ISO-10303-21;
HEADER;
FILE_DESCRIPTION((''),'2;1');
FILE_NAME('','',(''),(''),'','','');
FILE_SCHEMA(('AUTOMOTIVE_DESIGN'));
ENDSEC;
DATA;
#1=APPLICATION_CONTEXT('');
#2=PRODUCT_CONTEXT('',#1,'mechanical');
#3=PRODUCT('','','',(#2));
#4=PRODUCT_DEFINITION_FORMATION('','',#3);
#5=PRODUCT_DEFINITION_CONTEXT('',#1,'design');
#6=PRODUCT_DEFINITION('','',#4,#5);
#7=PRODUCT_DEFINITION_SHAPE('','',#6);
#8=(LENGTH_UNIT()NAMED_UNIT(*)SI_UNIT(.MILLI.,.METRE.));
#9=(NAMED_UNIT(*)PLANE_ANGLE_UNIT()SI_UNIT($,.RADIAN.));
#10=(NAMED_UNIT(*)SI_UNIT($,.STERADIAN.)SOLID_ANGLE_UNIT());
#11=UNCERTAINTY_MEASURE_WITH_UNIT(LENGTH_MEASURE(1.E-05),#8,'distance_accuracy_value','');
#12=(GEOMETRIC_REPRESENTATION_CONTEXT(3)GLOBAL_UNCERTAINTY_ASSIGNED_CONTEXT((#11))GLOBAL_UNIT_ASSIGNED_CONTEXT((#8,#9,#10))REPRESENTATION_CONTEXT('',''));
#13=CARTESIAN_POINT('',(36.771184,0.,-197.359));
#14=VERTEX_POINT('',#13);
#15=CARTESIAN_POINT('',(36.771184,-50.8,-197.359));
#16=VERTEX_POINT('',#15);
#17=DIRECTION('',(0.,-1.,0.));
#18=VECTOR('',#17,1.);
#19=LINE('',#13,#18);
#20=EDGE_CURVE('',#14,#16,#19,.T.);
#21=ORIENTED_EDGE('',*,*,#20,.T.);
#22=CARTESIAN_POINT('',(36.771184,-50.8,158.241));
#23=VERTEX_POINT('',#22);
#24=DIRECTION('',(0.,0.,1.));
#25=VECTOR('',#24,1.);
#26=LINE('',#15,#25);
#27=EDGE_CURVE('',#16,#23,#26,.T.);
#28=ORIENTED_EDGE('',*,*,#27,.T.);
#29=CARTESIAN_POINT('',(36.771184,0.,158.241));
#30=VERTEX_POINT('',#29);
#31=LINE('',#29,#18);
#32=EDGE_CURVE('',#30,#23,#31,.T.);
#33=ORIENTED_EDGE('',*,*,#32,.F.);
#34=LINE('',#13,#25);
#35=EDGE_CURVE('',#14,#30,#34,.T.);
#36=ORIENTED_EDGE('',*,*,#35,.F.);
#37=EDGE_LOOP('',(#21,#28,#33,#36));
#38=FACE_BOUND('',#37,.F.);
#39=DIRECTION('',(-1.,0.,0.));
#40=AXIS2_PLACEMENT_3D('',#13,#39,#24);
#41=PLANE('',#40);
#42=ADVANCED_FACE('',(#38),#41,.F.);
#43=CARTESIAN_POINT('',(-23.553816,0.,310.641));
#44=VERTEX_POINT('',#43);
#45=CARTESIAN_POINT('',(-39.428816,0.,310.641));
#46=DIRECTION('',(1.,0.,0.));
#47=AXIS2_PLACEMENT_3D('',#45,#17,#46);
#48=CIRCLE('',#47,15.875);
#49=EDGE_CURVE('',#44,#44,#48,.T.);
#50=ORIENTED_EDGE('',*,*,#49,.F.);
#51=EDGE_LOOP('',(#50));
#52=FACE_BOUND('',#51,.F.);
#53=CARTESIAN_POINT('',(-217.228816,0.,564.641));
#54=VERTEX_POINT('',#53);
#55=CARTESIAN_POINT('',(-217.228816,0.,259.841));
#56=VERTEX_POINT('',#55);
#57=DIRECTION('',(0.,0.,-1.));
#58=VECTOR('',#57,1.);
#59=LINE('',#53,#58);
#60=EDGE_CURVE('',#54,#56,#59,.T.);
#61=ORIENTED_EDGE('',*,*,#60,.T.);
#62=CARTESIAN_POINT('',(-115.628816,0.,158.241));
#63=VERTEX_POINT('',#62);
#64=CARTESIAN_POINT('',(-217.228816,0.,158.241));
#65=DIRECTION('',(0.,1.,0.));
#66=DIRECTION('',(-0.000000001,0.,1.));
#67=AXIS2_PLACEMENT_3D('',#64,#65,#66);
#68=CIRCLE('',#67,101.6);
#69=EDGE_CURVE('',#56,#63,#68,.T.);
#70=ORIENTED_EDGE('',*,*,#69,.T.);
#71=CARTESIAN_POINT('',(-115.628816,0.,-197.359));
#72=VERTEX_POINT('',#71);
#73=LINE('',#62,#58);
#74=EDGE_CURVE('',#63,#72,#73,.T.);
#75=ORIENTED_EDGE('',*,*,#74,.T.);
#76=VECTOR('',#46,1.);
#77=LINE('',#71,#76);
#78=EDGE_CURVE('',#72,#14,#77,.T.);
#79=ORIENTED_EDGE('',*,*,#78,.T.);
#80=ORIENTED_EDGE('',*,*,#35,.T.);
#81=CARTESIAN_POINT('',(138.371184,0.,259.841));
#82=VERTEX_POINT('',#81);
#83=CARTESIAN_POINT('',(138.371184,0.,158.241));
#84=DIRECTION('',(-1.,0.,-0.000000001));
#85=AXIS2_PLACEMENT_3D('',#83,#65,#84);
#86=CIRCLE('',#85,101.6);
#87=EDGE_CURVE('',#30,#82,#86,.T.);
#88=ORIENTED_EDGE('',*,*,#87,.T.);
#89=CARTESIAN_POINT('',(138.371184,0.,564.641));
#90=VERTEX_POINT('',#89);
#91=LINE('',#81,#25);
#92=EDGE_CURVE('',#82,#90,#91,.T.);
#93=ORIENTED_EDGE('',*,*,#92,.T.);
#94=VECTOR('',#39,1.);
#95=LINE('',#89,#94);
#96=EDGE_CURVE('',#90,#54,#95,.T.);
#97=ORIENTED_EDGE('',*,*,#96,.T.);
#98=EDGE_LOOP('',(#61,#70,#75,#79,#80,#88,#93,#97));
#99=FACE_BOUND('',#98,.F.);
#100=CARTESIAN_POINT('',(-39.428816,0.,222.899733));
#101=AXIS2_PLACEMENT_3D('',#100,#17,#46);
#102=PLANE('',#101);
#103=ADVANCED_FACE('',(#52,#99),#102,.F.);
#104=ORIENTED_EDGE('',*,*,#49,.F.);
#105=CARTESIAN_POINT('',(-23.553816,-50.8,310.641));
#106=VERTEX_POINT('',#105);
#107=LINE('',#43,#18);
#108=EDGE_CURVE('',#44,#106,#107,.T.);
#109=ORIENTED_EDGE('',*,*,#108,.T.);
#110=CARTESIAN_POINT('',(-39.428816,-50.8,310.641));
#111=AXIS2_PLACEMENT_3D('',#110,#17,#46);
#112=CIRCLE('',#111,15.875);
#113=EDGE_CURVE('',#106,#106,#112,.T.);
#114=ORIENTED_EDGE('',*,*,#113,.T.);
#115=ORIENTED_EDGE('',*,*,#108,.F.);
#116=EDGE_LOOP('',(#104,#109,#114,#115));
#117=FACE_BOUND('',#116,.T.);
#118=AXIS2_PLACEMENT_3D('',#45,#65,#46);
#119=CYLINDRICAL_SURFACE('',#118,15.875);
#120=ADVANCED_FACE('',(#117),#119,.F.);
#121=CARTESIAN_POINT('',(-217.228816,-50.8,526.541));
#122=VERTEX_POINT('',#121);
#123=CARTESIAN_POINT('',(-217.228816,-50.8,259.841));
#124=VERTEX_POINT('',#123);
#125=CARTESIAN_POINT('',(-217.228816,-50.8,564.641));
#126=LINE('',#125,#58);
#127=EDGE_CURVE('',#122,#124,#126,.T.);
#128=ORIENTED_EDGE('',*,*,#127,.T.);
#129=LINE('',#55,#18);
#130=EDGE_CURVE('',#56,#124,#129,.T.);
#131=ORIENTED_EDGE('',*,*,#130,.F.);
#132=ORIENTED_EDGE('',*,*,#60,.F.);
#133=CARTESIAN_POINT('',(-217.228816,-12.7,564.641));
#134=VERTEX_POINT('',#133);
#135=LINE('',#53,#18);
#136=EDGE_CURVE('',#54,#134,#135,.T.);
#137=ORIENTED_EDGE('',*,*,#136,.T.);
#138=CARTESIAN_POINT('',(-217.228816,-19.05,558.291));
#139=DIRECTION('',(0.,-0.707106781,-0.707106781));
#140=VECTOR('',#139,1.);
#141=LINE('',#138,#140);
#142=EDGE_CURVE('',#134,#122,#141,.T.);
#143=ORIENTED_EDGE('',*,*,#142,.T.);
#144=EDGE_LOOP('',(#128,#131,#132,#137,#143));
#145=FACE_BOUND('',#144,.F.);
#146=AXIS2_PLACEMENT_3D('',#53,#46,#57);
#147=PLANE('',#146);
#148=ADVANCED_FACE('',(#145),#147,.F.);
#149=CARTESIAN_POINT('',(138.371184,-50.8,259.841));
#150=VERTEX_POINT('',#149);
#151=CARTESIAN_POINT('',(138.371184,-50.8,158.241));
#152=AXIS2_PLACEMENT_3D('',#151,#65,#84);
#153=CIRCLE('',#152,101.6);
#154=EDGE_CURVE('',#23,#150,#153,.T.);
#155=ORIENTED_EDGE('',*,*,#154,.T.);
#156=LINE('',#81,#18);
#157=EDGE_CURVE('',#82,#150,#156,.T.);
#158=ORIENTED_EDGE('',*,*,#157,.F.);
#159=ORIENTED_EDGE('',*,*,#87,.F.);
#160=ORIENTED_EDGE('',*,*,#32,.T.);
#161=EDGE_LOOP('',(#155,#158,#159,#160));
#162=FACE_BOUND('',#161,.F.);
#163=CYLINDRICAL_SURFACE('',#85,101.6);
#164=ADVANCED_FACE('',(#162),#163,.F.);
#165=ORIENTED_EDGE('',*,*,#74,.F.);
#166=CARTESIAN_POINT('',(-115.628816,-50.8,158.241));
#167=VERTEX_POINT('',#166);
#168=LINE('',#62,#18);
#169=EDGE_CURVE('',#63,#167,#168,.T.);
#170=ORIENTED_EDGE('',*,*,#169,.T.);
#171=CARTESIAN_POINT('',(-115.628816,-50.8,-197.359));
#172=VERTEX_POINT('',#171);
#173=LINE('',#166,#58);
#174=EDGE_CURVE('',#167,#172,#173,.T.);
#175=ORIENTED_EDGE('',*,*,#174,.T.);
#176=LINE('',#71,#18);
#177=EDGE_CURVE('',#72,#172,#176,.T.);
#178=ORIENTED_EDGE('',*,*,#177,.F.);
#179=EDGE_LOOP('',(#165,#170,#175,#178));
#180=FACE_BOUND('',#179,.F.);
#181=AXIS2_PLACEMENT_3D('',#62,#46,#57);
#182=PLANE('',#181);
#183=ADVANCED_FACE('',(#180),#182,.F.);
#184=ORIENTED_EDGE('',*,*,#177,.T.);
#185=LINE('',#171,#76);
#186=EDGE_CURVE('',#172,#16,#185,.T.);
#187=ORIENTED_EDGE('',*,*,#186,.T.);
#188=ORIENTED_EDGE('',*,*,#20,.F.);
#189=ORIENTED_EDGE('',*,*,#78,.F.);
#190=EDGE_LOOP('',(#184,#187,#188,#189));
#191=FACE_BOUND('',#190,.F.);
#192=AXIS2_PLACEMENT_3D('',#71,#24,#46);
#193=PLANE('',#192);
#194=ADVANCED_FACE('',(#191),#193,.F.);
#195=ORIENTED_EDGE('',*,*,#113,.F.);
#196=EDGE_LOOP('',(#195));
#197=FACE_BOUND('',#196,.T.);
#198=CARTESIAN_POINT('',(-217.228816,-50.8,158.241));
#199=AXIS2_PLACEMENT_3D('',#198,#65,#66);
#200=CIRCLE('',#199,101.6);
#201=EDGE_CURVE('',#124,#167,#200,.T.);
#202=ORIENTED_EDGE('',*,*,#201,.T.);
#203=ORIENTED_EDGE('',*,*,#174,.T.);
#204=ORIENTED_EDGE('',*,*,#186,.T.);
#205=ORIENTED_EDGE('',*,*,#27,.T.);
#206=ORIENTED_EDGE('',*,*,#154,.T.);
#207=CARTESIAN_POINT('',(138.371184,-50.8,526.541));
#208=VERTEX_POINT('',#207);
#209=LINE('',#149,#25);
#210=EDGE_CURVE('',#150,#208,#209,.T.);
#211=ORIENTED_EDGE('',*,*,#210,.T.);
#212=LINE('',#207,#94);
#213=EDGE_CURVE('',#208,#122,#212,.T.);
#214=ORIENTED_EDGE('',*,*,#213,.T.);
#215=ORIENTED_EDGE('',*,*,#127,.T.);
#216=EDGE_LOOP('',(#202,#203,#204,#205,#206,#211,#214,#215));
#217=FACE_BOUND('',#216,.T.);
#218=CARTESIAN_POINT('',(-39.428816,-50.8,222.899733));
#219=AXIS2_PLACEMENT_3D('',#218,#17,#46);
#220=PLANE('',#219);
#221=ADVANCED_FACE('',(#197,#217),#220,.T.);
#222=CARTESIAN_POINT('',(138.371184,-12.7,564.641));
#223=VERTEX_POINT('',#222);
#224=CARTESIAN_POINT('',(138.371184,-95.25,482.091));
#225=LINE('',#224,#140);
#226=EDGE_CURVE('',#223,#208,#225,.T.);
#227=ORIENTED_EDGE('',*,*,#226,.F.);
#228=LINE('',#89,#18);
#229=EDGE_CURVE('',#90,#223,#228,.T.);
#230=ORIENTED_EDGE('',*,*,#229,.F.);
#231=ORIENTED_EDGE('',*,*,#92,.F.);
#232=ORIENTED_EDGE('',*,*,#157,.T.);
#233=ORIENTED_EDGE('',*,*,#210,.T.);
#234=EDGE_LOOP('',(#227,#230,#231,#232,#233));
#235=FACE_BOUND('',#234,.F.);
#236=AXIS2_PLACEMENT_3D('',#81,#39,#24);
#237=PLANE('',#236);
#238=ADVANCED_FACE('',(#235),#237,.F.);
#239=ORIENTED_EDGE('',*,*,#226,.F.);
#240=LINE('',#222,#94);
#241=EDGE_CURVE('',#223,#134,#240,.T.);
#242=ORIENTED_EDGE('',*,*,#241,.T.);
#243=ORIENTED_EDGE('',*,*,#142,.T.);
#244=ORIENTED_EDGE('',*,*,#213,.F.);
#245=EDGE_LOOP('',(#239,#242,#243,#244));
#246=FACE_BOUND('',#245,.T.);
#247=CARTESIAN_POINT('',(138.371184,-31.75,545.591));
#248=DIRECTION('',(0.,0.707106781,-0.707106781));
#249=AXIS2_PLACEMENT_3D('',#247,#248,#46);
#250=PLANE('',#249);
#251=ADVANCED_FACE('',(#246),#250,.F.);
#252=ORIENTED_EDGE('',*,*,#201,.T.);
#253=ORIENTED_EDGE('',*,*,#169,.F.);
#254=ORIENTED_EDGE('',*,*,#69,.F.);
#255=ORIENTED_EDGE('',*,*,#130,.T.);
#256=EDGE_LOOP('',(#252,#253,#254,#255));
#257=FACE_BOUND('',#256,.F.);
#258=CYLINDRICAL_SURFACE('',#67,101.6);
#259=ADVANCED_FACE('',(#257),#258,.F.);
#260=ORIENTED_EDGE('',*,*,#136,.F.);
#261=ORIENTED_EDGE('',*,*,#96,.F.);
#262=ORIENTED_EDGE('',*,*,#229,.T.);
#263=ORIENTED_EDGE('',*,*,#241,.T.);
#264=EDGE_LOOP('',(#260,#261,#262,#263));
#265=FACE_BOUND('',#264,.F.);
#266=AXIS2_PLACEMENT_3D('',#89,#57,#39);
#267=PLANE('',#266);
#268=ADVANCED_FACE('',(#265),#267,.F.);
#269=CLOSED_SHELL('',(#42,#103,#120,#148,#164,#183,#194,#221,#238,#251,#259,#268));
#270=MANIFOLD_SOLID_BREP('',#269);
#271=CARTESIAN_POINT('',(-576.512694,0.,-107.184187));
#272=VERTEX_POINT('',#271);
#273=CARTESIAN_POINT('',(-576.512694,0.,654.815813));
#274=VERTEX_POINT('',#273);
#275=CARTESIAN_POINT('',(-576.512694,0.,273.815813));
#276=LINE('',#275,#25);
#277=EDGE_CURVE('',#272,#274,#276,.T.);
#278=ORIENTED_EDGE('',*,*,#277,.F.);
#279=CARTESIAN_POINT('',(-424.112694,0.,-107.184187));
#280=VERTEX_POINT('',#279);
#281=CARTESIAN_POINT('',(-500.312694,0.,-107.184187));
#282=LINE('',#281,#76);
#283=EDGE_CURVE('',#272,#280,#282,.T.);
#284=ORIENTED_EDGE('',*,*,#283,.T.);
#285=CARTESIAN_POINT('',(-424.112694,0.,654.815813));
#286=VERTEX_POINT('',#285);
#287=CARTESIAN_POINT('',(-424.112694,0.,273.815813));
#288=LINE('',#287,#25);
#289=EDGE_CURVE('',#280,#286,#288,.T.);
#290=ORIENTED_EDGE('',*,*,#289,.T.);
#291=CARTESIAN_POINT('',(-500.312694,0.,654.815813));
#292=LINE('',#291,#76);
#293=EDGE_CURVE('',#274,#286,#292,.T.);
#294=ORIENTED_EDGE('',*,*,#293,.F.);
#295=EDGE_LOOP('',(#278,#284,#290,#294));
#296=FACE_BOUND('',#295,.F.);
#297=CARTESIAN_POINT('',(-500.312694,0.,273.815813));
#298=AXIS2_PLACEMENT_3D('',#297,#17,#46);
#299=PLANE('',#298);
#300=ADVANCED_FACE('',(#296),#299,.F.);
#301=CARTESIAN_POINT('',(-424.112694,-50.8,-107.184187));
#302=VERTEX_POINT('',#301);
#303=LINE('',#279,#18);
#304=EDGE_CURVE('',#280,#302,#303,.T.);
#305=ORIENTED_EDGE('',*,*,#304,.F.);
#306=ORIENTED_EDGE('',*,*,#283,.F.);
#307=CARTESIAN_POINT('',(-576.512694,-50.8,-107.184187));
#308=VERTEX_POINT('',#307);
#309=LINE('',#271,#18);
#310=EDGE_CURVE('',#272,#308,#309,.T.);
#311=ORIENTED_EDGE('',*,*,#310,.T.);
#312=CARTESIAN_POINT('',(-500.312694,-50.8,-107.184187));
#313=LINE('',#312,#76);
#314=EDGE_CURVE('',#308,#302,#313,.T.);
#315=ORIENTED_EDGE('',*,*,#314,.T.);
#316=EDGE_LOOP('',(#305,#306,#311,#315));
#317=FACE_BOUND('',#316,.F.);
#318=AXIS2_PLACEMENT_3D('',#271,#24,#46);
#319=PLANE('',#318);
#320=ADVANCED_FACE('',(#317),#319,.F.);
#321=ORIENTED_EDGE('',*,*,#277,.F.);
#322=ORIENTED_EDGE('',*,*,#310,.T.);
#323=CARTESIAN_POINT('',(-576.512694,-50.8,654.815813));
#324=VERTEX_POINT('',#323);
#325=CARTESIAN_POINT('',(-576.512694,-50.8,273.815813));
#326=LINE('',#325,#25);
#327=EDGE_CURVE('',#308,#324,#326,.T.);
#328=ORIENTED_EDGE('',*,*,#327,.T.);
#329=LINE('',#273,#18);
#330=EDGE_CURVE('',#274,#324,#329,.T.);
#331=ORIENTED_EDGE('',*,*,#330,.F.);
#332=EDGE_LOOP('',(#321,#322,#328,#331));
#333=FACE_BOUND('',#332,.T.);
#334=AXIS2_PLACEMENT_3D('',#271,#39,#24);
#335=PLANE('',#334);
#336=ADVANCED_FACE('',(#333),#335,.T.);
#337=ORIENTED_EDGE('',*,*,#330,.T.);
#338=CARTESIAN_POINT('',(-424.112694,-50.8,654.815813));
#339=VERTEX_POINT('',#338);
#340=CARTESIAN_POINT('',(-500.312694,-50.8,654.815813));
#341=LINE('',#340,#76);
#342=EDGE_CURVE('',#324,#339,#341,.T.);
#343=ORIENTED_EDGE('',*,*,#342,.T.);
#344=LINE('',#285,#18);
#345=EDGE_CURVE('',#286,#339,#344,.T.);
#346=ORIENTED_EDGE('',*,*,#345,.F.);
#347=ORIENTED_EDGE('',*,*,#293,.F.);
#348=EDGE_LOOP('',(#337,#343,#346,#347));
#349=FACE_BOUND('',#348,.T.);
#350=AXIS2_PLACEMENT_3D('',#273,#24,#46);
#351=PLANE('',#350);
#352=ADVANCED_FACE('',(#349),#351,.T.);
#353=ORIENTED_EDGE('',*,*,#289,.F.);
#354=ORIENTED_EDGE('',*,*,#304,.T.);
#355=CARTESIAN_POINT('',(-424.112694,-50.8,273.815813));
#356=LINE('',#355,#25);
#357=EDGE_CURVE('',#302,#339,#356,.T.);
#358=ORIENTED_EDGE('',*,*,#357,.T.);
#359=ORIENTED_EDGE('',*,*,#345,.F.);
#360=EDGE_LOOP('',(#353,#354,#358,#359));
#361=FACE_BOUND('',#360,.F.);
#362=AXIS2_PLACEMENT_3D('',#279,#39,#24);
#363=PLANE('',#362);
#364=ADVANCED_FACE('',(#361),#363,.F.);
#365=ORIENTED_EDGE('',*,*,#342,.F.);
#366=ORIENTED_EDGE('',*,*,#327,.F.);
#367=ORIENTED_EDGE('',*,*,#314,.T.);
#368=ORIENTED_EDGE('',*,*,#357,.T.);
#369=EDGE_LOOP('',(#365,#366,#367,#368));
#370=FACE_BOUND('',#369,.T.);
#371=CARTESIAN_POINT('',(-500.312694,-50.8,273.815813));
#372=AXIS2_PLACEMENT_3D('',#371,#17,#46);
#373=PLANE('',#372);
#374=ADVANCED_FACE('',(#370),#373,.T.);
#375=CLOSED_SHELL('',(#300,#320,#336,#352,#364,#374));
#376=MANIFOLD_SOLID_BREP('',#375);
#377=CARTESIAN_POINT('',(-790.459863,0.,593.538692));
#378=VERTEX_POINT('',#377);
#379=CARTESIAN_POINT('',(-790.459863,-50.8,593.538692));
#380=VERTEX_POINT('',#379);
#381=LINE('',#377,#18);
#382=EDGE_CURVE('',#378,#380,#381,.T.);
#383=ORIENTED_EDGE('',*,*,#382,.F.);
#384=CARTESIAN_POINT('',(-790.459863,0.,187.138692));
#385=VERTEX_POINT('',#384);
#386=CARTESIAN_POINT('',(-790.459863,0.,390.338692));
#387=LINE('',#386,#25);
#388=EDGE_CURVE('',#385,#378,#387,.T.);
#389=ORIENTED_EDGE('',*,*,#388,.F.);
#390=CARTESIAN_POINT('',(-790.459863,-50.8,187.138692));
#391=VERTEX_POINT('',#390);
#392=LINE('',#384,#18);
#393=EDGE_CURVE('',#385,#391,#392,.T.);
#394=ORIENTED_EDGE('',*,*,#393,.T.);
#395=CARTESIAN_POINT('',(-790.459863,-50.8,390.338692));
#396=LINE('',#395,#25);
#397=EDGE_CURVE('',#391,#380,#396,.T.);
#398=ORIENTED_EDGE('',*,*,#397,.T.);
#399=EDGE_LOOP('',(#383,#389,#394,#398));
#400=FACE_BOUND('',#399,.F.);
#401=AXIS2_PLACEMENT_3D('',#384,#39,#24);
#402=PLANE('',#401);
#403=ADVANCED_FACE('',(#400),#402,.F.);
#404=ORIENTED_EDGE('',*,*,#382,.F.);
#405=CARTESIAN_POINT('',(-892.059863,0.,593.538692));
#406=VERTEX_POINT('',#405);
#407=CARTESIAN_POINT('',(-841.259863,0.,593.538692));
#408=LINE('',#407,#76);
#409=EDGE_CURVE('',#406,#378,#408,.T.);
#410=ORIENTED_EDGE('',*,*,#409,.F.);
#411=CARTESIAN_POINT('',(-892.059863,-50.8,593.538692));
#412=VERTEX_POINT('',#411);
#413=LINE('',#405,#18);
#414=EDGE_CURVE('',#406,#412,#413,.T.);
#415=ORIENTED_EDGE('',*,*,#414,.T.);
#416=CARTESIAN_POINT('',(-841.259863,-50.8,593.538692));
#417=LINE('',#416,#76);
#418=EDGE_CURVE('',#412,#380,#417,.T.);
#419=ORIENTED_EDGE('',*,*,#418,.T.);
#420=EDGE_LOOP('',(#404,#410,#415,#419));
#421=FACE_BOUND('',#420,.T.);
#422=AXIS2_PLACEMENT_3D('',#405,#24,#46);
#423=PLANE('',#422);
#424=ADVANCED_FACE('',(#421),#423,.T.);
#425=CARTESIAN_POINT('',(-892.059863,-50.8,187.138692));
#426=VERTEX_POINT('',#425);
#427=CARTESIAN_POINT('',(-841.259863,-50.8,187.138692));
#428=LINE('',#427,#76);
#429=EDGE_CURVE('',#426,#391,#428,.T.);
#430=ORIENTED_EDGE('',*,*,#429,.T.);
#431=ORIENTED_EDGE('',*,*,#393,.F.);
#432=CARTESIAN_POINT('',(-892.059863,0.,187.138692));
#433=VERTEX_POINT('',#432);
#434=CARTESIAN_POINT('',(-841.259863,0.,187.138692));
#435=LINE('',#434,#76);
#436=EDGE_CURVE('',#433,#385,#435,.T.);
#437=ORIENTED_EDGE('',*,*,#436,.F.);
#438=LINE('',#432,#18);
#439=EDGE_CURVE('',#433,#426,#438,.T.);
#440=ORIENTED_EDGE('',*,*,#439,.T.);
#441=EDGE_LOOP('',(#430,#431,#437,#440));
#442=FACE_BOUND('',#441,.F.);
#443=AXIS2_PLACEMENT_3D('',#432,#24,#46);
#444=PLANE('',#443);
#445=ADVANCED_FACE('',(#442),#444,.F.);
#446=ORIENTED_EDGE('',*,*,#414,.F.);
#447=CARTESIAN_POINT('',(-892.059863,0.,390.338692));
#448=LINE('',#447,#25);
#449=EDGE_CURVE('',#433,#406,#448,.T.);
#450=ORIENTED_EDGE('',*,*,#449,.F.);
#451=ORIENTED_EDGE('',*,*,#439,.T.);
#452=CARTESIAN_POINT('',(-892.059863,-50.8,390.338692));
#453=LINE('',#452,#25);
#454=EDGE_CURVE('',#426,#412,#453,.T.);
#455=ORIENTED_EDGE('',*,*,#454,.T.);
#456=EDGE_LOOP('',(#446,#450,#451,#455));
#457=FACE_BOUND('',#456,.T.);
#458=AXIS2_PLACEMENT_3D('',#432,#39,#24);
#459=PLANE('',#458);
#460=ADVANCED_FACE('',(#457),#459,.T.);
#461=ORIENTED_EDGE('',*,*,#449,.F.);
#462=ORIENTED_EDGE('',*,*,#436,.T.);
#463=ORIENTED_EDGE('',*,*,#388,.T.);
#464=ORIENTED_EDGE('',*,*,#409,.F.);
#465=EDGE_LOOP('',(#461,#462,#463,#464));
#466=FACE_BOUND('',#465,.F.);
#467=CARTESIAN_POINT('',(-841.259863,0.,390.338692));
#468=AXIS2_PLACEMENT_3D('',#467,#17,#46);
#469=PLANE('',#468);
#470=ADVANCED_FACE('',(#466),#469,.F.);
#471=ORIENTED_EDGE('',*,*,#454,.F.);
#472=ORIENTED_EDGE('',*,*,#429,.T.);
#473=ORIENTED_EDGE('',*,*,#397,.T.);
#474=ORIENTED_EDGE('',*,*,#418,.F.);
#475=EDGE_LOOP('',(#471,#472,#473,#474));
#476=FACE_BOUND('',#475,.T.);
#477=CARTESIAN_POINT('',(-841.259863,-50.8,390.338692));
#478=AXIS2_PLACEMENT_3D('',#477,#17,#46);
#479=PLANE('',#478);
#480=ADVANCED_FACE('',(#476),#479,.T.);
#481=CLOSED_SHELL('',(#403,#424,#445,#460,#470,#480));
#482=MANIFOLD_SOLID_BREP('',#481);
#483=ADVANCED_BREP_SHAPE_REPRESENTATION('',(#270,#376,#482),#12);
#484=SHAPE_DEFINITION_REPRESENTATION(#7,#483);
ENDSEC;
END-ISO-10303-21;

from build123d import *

# Parameters (mm, degrees)
F0_R     = 15.875
F0_W     = 152.4
F0_H     = 762
F0_W_2   = 101.6
F0_H_2   = 406.4
F1_DEPTH = 50.8
F2_SIZE  = 38.1


with BuildPart() as f1:
    # F0 (on Front) → F1 (new body)
    with BuildSketch(Plane.XZ):
        with BuildLine():
            Line((-39.428816, -197.359), (36.771184, -197.359))
            Line((36.771184, -197.359), (36.771184, 4.266582))
            Line((36.771184, 4.266582), (36.771184, 158.241))
            ThreePointArc((36.771184, 158.241), (66.529135, 230.083049), (138.371184, 259.841))
            Line((138.371184, 259.841), (138.371184, 564.641))
            Line((138.371184, 564.641), (-39.428816, 564.641))
            Line((-39.428816, 564.641), (-217.228816, 564.641))
            Line((-217.228816, 564.641), (-217.228816, 259.841))
            ThreePointArc((-217.228816, 259.841), (-145.386767, 230.083049), (-115.628816, 158.241))
            Line((-115.628816, 158.241), (-115.628816, 4.266582))
            Line((-115.628816, 4.266582), (-115.628816, -197.359))
            Line((-115.628816, -197.359), (-39.428816, -197.359))
        make_face()
        with Locations((-39.428816, 310.641)):
            Circle(F0_R, mode=Mode.SUBTRACT)
        with Locations((-500.312694, 273.815813)):
            Rectangle(F0_W, F0_H)
        with Locations((-841.259863, 390.338692)):
            Rectangle(F0_W_2, F0_H_2)
    extrude(amount=F1_DEPTH)

    # F2
    f2_edges = [f1.edges().sort_by_distance(p)[0] for p in [
        (-39.428816, -50.8, 564.641),
    ]]
    chamfer(f2_edges, length=F2_SIZE)


solid = f1.part
